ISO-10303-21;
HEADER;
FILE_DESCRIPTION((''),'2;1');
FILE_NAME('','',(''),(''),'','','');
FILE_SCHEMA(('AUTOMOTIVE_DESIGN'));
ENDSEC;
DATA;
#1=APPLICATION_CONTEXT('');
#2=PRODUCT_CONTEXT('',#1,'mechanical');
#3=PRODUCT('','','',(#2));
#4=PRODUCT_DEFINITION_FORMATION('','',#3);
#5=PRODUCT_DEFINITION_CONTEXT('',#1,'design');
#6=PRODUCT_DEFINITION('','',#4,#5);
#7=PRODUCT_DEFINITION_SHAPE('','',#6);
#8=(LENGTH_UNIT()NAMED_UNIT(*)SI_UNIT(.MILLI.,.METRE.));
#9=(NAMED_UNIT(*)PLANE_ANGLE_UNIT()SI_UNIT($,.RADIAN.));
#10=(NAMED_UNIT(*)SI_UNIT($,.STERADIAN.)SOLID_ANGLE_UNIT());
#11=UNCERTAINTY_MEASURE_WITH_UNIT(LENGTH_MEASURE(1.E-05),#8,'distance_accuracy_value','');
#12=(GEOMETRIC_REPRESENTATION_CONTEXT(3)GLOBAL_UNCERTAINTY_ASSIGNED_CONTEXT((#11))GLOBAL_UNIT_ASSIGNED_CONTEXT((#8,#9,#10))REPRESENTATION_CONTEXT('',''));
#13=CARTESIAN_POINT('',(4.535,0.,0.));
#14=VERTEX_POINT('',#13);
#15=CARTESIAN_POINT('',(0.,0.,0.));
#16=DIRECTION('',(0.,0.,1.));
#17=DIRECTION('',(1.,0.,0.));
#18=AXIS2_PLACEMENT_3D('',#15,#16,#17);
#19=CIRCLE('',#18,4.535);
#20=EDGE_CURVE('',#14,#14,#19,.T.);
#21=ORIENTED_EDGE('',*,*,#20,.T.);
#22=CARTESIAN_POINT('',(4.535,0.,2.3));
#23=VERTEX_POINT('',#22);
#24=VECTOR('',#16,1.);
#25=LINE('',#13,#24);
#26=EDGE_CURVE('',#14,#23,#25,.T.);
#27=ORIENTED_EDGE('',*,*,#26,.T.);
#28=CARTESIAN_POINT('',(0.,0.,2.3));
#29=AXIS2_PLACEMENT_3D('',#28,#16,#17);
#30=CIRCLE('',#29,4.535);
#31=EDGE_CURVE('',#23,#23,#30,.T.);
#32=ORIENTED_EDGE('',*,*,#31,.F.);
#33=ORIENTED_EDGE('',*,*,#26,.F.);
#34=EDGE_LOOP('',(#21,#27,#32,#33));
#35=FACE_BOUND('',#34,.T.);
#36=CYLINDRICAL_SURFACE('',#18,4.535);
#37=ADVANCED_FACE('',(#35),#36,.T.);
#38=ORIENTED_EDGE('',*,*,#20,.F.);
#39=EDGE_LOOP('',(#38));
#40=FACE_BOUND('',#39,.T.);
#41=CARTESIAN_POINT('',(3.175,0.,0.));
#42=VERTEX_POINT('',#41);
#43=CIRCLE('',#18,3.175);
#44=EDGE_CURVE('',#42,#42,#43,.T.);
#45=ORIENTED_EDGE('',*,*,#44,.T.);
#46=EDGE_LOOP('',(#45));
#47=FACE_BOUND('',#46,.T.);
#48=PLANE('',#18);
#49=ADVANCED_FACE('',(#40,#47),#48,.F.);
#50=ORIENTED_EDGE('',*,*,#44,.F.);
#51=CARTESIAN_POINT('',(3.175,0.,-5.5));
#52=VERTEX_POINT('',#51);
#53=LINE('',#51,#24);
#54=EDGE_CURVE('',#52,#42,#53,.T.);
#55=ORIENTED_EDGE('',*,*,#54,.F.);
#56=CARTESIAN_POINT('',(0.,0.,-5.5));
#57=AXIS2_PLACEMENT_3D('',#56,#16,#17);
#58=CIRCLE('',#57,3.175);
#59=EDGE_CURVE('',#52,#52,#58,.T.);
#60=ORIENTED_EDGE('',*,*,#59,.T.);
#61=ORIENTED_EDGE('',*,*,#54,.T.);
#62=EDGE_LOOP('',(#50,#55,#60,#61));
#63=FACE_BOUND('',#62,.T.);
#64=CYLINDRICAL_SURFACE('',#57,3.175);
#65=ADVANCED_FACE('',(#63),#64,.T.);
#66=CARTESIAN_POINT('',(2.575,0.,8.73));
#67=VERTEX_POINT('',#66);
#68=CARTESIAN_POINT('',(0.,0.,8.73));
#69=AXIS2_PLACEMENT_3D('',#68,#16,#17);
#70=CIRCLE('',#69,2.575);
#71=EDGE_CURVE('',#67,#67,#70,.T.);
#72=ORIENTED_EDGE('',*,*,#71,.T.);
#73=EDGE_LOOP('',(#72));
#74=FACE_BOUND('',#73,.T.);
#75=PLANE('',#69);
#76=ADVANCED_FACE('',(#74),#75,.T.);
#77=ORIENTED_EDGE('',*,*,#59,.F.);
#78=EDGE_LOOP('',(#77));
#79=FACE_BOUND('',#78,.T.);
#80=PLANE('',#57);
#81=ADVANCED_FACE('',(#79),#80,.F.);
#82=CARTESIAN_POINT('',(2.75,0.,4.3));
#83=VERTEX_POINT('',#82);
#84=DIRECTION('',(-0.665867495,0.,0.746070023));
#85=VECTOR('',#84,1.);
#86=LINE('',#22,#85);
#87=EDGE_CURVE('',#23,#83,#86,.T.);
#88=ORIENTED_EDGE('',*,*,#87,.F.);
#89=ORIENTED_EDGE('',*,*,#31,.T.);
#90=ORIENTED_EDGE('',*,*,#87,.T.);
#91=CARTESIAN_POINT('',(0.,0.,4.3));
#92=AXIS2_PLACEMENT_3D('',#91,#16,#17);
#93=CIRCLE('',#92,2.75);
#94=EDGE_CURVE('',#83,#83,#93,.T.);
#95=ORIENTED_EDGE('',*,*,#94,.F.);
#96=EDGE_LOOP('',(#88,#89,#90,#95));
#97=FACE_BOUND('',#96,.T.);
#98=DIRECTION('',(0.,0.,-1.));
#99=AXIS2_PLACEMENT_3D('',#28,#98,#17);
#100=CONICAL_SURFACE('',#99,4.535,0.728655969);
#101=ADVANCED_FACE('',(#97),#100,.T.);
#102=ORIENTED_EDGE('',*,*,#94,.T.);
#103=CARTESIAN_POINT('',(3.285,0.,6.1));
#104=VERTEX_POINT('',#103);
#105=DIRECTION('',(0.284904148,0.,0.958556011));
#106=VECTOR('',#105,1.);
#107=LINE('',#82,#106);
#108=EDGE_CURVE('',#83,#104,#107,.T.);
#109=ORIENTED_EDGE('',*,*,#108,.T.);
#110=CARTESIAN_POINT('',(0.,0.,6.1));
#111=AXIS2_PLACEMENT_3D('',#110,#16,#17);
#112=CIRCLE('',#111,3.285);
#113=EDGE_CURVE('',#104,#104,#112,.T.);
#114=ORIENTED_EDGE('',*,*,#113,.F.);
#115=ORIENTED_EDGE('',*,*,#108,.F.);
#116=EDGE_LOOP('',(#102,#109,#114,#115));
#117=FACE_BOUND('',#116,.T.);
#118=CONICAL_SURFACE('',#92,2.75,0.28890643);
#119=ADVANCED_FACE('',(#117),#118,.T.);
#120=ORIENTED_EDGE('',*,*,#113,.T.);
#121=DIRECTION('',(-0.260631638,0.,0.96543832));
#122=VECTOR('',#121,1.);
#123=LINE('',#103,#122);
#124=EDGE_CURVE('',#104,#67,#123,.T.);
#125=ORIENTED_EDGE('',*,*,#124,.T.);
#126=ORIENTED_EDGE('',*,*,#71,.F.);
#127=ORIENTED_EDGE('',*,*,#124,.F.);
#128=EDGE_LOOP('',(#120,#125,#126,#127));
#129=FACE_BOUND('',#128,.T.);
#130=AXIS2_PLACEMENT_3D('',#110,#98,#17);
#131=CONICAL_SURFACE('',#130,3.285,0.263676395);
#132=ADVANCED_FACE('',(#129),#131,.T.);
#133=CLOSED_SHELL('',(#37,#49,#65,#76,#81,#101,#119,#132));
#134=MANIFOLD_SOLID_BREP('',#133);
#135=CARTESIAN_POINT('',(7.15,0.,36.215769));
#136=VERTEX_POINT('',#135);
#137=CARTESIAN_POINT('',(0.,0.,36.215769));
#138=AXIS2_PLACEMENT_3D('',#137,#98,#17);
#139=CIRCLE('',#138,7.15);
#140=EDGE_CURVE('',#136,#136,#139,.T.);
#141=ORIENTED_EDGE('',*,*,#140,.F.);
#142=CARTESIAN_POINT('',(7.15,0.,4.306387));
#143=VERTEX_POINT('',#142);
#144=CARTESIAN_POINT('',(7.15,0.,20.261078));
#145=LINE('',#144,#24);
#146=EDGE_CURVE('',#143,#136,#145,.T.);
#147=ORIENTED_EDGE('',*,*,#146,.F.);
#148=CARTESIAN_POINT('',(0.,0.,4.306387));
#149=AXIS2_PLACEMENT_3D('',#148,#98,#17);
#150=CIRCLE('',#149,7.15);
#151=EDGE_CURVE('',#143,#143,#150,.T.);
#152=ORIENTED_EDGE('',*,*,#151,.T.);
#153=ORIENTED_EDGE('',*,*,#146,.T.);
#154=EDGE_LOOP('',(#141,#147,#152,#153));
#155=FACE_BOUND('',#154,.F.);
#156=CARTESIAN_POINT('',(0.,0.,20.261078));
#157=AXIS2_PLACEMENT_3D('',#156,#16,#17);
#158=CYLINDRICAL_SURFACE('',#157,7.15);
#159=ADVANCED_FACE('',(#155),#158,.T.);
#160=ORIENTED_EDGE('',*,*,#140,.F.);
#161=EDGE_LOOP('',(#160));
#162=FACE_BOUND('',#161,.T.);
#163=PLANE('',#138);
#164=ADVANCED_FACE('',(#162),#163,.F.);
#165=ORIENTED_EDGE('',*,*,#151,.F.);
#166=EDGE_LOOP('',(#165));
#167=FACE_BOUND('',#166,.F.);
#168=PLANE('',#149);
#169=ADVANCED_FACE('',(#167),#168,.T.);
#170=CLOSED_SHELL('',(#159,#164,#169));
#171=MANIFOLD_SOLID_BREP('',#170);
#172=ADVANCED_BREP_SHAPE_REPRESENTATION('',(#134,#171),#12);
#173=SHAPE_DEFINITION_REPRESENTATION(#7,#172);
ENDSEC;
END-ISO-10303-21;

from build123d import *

# Parameters (mm, degrees)
F2_W = 7.15
F2_H = 31.909382


with BuildPart() as f1:
    # F0 (on Front) → F1 (revolve)
    with BuildSketch(Plane.XZ):
        Polygon((2.575, 8.73), (0, 8.73), (0, -5.5), (3.175, -5.5), (3.175, 0), (4.535, 0), (4.535, 2.3), (2.75, 4.3), (3.285, 6.1), align=None)
    revolve(axis=Axis((0, 0, 1.615), (0, 0, 1)))


with BuildPart() as f3:
    # F2 (on Front) → F3 (revolve)
    with BuildSketch(Plane.XZ):
        with Locations((3.575, 20.261078)):
            Rectangle(F2_W, F2_H)
    revolve(axis=Axis((0, 0, 20.261078), (0, 0, -1)))


solid = Compound([f1.part, f3.part])
